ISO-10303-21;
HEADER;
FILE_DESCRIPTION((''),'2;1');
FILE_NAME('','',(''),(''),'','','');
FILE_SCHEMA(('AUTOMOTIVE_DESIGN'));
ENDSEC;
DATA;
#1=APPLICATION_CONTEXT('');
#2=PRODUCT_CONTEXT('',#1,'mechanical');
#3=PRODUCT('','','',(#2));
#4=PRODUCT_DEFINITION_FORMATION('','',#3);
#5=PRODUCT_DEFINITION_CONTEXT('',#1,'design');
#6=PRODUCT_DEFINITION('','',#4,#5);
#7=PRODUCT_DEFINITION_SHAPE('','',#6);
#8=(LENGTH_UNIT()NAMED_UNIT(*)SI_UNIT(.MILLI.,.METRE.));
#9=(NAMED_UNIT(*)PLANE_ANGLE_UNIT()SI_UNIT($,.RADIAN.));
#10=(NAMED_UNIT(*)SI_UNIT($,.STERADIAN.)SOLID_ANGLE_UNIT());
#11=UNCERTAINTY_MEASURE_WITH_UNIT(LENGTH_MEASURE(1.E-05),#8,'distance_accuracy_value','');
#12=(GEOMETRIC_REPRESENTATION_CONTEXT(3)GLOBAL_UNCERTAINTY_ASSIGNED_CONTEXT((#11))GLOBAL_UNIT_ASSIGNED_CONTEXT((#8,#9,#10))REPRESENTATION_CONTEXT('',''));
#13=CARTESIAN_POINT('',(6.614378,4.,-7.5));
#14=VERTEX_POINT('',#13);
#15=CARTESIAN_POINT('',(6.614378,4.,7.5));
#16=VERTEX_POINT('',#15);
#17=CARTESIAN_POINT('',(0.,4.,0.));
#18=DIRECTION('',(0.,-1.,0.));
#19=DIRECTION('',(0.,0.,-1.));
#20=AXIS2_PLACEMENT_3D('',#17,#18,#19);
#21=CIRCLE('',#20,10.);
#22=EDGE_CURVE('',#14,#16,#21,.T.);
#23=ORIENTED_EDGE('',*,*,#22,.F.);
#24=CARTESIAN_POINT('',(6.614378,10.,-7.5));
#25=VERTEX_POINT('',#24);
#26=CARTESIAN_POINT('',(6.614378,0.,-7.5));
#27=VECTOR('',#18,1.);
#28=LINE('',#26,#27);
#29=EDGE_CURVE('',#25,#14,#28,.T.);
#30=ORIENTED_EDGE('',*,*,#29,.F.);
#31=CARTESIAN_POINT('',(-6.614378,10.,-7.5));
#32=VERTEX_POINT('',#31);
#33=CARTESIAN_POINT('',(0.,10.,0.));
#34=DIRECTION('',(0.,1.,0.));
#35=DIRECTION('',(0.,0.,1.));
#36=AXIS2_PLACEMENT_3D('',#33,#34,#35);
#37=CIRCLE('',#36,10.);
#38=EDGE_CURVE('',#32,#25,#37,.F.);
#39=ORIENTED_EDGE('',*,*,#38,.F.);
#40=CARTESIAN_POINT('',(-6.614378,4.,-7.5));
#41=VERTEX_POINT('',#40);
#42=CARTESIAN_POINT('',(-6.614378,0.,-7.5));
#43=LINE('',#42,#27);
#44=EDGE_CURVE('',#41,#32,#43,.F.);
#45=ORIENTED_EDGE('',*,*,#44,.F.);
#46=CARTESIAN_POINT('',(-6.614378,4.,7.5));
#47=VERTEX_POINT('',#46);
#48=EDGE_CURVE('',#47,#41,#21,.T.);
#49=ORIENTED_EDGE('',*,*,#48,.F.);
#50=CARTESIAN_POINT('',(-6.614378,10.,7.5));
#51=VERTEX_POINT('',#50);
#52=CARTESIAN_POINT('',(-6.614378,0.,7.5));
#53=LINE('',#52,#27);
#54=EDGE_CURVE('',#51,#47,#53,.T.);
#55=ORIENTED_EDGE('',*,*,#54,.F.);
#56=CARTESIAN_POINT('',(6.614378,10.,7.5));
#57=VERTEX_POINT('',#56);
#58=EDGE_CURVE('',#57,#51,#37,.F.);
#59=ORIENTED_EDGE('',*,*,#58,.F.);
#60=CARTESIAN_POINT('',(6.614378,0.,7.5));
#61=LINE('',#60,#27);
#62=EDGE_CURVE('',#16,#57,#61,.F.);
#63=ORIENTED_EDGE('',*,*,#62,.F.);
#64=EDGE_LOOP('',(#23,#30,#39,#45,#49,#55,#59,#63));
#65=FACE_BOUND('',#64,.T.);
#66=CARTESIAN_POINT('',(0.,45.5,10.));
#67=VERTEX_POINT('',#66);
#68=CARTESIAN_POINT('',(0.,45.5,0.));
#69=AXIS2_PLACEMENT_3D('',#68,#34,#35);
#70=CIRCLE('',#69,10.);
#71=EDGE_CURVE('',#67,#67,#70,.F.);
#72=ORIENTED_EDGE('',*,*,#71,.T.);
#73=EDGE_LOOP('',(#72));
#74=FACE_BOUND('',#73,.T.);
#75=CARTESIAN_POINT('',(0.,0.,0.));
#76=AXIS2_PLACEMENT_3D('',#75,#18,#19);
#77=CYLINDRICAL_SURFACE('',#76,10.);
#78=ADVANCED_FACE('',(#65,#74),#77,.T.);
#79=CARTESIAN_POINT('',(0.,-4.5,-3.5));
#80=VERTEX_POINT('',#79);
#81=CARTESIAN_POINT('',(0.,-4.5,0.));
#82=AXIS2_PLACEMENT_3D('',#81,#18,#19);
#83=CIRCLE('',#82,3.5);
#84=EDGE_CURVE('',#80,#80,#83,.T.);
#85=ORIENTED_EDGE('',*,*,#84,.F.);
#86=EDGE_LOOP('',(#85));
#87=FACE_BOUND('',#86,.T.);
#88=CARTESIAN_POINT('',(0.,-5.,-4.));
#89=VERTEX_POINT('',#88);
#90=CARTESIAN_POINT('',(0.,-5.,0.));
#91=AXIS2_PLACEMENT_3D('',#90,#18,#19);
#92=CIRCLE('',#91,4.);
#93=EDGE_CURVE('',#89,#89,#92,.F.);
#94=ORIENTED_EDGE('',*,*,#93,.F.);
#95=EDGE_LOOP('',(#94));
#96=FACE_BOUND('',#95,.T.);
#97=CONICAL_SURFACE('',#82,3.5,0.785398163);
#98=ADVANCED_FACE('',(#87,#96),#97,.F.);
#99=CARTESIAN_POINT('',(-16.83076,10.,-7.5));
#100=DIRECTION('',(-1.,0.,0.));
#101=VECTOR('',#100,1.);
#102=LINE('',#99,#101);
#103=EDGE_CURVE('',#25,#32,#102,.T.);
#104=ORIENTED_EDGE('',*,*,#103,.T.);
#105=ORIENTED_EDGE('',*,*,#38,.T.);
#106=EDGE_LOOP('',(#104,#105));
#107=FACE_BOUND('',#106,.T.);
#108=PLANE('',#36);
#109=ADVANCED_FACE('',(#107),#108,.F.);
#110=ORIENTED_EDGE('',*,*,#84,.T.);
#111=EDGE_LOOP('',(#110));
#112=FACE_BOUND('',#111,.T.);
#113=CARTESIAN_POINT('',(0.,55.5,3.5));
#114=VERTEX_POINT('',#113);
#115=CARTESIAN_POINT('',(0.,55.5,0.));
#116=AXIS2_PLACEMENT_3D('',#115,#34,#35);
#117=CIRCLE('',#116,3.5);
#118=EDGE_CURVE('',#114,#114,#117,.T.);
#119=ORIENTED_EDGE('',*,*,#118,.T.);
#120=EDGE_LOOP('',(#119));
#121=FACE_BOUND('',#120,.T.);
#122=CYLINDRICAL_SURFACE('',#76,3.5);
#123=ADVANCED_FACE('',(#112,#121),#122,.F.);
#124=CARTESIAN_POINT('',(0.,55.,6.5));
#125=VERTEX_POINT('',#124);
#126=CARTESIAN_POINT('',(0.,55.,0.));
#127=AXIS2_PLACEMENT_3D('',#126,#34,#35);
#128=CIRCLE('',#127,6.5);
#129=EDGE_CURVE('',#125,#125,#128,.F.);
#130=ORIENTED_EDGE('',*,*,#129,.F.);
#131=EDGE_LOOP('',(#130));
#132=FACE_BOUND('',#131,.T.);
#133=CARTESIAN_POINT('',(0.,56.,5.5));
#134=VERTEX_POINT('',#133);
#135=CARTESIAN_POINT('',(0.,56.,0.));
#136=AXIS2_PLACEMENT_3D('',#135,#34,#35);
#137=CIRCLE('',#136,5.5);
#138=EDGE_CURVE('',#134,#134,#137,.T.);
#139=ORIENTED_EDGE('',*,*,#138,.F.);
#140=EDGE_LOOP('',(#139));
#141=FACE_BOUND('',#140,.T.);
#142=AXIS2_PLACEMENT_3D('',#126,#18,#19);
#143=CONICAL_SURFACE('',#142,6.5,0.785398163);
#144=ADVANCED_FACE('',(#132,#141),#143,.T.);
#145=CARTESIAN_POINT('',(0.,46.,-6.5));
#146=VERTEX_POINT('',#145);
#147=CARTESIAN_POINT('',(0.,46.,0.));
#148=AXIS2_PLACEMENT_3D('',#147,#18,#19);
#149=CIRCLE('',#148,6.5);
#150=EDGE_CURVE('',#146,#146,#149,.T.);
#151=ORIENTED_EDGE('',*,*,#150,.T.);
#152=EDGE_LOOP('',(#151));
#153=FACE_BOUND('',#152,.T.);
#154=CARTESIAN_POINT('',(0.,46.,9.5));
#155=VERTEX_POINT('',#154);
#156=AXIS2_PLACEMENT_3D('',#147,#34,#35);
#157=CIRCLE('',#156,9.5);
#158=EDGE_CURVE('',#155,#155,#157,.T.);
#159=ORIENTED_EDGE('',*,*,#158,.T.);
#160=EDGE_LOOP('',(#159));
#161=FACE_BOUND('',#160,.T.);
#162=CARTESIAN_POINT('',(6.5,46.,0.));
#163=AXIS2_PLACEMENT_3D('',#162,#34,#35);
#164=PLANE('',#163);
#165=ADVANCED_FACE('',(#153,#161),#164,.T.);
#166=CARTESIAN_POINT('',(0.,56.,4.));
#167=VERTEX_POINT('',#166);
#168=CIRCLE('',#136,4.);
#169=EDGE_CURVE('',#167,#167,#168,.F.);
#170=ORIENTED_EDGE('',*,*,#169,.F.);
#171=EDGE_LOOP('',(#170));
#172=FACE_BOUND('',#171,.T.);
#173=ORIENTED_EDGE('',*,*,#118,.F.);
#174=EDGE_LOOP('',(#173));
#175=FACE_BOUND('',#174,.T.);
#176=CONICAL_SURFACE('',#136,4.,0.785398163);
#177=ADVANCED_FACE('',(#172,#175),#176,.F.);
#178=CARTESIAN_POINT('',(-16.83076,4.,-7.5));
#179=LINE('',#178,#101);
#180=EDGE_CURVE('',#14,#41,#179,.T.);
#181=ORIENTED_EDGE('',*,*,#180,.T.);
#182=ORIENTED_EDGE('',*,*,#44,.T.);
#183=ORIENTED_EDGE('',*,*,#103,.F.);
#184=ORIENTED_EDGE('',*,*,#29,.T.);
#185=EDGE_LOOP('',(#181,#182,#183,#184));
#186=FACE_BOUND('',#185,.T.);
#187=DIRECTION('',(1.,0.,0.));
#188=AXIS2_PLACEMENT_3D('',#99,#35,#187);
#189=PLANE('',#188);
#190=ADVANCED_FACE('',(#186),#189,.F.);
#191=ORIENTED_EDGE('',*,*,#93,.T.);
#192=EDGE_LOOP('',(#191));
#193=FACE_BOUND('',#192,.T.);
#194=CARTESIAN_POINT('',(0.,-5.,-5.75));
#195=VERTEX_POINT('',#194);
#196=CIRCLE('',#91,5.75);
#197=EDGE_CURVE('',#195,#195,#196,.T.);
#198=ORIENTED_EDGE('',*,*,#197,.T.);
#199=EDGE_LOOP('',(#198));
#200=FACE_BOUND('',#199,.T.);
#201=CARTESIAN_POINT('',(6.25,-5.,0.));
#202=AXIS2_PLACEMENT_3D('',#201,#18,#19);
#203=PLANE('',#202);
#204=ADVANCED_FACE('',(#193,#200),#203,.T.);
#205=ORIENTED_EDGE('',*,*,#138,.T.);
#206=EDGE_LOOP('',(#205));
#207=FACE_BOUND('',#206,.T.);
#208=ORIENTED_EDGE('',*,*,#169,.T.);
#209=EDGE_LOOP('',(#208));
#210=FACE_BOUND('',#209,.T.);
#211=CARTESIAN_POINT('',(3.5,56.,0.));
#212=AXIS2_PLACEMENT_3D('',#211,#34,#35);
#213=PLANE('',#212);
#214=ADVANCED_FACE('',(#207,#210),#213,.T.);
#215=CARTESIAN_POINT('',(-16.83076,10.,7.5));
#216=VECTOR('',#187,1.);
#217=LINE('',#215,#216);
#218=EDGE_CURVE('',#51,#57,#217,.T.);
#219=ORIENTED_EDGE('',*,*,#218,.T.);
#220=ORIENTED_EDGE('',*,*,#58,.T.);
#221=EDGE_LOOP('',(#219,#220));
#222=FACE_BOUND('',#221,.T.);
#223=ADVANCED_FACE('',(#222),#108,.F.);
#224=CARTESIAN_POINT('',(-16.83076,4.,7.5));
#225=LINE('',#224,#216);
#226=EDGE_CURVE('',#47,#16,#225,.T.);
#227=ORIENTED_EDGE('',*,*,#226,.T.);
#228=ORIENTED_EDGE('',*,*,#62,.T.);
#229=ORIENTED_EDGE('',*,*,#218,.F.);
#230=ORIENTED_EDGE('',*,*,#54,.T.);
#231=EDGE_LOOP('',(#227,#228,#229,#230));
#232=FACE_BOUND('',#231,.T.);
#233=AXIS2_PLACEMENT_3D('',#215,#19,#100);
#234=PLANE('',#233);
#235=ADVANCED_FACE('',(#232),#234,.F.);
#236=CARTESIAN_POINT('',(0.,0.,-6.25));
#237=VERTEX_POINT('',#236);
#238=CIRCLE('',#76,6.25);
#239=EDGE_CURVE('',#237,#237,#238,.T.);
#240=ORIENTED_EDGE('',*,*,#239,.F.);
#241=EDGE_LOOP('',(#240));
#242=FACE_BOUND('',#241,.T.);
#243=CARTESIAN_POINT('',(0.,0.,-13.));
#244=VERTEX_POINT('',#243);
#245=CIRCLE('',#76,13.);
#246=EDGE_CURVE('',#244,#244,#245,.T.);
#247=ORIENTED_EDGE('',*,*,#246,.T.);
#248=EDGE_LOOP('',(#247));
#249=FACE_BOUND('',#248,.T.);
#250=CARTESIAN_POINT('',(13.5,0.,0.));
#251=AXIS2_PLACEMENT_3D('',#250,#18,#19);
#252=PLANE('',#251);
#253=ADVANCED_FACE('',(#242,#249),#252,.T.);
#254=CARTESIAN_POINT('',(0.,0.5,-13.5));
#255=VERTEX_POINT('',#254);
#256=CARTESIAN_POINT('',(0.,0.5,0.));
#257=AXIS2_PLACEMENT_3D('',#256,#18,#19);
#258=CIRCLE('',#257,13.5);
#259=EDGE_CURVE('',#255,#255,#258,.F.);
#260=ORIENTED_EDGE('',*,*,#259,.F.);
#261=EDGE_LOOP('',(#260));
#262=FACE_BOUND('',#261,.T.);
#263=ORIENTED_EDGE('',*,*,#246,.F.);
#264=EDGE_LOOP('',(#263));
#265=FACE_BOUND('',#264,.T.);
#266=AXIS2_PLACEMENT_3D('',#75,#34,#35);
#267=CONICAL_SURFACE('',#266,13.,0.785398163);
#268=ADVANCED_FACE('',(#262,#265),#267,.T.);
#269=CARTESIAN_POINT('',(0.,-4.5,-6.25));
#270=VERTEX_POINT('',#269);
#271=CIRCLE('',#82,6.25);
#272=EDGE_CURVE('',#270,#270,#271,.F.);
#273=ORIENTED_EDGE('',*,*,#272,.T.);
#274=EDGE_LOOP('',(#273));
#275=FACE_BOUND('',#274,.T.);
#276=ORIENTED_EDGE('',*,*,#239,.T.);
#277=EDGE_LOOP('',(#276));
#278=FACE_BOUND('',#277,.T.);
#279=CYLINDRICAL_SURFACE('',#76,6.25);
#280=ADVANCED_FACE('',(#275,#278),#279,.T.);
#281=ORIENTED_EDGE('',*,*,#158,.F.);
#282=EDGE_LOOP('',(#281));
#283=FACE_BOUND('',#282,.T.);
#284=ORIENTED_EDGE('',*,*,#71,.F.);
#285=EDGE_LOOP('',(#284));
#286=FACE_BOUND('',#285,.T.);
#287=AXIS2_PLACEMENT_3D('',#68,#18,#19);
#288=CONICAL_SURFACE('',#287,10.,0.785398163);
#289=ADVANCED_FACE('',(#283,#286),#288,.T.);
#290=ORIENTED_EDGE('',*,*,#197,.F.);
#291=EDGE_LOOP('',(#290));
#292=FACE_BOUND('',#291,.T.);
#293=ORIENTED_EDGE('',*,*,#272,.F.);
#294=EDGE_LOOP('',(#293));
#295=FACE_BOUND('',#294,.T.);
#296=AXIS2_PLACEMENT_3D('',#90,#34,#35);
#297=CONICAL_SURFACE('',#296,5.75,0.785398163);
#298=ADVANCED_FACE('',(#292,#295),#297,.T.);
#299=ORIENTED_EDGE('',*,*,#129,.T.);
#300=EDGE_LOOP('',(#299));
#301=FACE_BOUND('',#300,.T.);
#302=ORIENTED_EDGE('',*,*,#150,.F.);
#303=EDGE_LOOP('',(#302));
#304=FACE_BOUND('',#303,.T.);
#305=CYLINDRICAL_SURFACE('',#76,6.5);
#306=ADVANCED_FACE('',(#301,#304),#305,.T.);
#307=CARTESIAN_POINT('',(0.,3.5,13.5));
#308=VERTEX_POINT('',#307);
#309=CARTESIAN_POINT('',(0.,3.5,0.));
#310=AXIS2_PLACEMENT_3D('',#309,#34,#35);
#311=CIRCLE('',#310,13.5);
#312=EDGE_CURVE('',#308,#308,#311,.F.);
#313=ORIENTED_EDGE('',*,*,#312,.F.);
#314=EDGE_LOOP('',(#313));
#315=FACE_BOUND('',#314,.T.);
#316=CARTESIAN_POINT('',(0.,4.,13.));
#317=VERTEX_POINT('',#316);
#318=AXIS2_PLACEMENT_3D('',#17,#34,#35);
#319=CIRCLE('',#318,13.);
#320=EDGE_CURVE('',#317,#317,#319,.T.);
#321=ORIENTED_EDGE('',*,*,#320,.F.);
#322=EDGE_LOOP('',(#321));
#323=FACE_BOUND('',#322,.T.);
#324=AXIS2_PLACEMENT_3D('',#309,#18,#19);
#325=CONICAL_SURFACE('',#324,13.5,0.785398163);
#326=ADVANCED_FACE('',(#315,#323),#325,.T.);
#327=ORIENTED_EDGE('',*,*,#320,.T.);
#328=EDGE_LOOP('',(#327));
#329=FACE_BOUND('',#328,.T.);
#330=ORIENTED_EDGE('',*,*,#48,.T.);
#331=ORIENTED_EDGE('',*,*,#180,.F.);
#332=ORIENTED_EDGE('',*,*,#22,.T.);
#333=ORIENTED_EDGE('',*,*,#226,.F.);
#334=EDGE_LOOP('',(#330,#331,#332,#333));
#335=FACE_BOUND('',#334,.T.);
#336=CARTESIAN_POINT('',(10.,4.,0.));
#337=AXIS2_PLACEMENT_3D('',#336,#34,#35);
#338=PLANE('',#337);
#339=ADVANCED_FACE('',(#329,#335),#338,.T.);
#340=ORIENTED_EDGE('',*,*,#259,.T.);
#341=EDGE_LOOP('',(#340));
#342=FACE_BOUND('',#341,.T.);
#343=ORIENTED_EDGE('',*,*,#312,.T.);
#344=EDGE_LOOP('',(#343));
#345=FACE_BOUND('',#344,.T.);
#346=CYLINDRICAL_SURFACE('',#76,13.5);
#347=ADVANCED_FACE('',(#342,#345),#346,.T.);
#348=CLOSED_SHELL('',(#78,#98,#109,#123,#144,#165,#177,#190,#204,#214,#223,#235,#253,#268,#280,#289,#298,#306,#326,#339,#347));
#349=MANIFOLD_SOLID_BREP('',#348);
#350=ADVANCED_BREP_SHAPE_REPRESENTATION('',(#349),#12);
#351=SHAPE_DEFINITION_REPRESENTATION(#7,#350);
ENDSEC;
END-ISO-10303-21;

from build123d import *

# Parameters (mm, degrees)
CHAMFER1_SIZE       = 1
CHAMFER2_SIZE       = 0.5
SKETCH2_OUTSIDE_W   = 43.394
SKETCH2_OUTSIDE_H   = 43.394
SKETCH2_OUTSIDE_W_2 = 33.661520222
SKETCH2_OUTSIDE_H_2 = 15
CUT_EXTRUDE1_DEPTH  = 6


with BuildPart() as part:
    # Sketch1 → Revolve1 (revolve)
    with BuildSketch(Plane.XY):
        Polygon((3.5, -5), (3.5, 56), (6.5, 56), (6.5, 46), (10, 46), (10, 4), (13.5, 4), (13.5, 0), (6.25, 0), (6.25, -5), align=None)
    revolve(axis=Axis((0, 0, 0), (0, 1, 0)))

    # Chamfer1
    chamfer1_edges = [part.edges().sort_by_distance(p)[0] for p in [
        (-6.5, 56, 0),
    ]]
    chamfer(chamfer1_edges, length=CHAMFER1_SIZE)

    # Chamfer2
    chamfer2_edges = [part.edges().sort_by_distance(p)[0] for p in [
        (-10, 46, 0),
        (-3.5, 56, 0),
        (-3.5, -5, 0),
        (-6.25, -5, 0),
        (-13.5, 0, 0),
        (-13.5, 4, 0),
    ]]
    chamfer(chamfer2_edges, length=CHAMFER2_SIZE)

    # Sketch2 outside → Cut-Extrude1 (cut)
    with BuildSketch(Plane(origin=(0, 4, 0), x_dir=(1, 0, 0), z_dir=(0, 1, 0))):
        Rectangle(SKETCH2_OUTSIDE_W, SKETCH2_OUTSIDE_H)
        Rectangle(SKETCH2_OUTSIDE_W_2, SKETCH2_OUTSIDE_H_2, mode=Mode.SUBTRACT)
    extrude(amount=CUT_EXTRUDE1_DEPTH, mode=Mode.SUBTRACT)


solid = part.part
